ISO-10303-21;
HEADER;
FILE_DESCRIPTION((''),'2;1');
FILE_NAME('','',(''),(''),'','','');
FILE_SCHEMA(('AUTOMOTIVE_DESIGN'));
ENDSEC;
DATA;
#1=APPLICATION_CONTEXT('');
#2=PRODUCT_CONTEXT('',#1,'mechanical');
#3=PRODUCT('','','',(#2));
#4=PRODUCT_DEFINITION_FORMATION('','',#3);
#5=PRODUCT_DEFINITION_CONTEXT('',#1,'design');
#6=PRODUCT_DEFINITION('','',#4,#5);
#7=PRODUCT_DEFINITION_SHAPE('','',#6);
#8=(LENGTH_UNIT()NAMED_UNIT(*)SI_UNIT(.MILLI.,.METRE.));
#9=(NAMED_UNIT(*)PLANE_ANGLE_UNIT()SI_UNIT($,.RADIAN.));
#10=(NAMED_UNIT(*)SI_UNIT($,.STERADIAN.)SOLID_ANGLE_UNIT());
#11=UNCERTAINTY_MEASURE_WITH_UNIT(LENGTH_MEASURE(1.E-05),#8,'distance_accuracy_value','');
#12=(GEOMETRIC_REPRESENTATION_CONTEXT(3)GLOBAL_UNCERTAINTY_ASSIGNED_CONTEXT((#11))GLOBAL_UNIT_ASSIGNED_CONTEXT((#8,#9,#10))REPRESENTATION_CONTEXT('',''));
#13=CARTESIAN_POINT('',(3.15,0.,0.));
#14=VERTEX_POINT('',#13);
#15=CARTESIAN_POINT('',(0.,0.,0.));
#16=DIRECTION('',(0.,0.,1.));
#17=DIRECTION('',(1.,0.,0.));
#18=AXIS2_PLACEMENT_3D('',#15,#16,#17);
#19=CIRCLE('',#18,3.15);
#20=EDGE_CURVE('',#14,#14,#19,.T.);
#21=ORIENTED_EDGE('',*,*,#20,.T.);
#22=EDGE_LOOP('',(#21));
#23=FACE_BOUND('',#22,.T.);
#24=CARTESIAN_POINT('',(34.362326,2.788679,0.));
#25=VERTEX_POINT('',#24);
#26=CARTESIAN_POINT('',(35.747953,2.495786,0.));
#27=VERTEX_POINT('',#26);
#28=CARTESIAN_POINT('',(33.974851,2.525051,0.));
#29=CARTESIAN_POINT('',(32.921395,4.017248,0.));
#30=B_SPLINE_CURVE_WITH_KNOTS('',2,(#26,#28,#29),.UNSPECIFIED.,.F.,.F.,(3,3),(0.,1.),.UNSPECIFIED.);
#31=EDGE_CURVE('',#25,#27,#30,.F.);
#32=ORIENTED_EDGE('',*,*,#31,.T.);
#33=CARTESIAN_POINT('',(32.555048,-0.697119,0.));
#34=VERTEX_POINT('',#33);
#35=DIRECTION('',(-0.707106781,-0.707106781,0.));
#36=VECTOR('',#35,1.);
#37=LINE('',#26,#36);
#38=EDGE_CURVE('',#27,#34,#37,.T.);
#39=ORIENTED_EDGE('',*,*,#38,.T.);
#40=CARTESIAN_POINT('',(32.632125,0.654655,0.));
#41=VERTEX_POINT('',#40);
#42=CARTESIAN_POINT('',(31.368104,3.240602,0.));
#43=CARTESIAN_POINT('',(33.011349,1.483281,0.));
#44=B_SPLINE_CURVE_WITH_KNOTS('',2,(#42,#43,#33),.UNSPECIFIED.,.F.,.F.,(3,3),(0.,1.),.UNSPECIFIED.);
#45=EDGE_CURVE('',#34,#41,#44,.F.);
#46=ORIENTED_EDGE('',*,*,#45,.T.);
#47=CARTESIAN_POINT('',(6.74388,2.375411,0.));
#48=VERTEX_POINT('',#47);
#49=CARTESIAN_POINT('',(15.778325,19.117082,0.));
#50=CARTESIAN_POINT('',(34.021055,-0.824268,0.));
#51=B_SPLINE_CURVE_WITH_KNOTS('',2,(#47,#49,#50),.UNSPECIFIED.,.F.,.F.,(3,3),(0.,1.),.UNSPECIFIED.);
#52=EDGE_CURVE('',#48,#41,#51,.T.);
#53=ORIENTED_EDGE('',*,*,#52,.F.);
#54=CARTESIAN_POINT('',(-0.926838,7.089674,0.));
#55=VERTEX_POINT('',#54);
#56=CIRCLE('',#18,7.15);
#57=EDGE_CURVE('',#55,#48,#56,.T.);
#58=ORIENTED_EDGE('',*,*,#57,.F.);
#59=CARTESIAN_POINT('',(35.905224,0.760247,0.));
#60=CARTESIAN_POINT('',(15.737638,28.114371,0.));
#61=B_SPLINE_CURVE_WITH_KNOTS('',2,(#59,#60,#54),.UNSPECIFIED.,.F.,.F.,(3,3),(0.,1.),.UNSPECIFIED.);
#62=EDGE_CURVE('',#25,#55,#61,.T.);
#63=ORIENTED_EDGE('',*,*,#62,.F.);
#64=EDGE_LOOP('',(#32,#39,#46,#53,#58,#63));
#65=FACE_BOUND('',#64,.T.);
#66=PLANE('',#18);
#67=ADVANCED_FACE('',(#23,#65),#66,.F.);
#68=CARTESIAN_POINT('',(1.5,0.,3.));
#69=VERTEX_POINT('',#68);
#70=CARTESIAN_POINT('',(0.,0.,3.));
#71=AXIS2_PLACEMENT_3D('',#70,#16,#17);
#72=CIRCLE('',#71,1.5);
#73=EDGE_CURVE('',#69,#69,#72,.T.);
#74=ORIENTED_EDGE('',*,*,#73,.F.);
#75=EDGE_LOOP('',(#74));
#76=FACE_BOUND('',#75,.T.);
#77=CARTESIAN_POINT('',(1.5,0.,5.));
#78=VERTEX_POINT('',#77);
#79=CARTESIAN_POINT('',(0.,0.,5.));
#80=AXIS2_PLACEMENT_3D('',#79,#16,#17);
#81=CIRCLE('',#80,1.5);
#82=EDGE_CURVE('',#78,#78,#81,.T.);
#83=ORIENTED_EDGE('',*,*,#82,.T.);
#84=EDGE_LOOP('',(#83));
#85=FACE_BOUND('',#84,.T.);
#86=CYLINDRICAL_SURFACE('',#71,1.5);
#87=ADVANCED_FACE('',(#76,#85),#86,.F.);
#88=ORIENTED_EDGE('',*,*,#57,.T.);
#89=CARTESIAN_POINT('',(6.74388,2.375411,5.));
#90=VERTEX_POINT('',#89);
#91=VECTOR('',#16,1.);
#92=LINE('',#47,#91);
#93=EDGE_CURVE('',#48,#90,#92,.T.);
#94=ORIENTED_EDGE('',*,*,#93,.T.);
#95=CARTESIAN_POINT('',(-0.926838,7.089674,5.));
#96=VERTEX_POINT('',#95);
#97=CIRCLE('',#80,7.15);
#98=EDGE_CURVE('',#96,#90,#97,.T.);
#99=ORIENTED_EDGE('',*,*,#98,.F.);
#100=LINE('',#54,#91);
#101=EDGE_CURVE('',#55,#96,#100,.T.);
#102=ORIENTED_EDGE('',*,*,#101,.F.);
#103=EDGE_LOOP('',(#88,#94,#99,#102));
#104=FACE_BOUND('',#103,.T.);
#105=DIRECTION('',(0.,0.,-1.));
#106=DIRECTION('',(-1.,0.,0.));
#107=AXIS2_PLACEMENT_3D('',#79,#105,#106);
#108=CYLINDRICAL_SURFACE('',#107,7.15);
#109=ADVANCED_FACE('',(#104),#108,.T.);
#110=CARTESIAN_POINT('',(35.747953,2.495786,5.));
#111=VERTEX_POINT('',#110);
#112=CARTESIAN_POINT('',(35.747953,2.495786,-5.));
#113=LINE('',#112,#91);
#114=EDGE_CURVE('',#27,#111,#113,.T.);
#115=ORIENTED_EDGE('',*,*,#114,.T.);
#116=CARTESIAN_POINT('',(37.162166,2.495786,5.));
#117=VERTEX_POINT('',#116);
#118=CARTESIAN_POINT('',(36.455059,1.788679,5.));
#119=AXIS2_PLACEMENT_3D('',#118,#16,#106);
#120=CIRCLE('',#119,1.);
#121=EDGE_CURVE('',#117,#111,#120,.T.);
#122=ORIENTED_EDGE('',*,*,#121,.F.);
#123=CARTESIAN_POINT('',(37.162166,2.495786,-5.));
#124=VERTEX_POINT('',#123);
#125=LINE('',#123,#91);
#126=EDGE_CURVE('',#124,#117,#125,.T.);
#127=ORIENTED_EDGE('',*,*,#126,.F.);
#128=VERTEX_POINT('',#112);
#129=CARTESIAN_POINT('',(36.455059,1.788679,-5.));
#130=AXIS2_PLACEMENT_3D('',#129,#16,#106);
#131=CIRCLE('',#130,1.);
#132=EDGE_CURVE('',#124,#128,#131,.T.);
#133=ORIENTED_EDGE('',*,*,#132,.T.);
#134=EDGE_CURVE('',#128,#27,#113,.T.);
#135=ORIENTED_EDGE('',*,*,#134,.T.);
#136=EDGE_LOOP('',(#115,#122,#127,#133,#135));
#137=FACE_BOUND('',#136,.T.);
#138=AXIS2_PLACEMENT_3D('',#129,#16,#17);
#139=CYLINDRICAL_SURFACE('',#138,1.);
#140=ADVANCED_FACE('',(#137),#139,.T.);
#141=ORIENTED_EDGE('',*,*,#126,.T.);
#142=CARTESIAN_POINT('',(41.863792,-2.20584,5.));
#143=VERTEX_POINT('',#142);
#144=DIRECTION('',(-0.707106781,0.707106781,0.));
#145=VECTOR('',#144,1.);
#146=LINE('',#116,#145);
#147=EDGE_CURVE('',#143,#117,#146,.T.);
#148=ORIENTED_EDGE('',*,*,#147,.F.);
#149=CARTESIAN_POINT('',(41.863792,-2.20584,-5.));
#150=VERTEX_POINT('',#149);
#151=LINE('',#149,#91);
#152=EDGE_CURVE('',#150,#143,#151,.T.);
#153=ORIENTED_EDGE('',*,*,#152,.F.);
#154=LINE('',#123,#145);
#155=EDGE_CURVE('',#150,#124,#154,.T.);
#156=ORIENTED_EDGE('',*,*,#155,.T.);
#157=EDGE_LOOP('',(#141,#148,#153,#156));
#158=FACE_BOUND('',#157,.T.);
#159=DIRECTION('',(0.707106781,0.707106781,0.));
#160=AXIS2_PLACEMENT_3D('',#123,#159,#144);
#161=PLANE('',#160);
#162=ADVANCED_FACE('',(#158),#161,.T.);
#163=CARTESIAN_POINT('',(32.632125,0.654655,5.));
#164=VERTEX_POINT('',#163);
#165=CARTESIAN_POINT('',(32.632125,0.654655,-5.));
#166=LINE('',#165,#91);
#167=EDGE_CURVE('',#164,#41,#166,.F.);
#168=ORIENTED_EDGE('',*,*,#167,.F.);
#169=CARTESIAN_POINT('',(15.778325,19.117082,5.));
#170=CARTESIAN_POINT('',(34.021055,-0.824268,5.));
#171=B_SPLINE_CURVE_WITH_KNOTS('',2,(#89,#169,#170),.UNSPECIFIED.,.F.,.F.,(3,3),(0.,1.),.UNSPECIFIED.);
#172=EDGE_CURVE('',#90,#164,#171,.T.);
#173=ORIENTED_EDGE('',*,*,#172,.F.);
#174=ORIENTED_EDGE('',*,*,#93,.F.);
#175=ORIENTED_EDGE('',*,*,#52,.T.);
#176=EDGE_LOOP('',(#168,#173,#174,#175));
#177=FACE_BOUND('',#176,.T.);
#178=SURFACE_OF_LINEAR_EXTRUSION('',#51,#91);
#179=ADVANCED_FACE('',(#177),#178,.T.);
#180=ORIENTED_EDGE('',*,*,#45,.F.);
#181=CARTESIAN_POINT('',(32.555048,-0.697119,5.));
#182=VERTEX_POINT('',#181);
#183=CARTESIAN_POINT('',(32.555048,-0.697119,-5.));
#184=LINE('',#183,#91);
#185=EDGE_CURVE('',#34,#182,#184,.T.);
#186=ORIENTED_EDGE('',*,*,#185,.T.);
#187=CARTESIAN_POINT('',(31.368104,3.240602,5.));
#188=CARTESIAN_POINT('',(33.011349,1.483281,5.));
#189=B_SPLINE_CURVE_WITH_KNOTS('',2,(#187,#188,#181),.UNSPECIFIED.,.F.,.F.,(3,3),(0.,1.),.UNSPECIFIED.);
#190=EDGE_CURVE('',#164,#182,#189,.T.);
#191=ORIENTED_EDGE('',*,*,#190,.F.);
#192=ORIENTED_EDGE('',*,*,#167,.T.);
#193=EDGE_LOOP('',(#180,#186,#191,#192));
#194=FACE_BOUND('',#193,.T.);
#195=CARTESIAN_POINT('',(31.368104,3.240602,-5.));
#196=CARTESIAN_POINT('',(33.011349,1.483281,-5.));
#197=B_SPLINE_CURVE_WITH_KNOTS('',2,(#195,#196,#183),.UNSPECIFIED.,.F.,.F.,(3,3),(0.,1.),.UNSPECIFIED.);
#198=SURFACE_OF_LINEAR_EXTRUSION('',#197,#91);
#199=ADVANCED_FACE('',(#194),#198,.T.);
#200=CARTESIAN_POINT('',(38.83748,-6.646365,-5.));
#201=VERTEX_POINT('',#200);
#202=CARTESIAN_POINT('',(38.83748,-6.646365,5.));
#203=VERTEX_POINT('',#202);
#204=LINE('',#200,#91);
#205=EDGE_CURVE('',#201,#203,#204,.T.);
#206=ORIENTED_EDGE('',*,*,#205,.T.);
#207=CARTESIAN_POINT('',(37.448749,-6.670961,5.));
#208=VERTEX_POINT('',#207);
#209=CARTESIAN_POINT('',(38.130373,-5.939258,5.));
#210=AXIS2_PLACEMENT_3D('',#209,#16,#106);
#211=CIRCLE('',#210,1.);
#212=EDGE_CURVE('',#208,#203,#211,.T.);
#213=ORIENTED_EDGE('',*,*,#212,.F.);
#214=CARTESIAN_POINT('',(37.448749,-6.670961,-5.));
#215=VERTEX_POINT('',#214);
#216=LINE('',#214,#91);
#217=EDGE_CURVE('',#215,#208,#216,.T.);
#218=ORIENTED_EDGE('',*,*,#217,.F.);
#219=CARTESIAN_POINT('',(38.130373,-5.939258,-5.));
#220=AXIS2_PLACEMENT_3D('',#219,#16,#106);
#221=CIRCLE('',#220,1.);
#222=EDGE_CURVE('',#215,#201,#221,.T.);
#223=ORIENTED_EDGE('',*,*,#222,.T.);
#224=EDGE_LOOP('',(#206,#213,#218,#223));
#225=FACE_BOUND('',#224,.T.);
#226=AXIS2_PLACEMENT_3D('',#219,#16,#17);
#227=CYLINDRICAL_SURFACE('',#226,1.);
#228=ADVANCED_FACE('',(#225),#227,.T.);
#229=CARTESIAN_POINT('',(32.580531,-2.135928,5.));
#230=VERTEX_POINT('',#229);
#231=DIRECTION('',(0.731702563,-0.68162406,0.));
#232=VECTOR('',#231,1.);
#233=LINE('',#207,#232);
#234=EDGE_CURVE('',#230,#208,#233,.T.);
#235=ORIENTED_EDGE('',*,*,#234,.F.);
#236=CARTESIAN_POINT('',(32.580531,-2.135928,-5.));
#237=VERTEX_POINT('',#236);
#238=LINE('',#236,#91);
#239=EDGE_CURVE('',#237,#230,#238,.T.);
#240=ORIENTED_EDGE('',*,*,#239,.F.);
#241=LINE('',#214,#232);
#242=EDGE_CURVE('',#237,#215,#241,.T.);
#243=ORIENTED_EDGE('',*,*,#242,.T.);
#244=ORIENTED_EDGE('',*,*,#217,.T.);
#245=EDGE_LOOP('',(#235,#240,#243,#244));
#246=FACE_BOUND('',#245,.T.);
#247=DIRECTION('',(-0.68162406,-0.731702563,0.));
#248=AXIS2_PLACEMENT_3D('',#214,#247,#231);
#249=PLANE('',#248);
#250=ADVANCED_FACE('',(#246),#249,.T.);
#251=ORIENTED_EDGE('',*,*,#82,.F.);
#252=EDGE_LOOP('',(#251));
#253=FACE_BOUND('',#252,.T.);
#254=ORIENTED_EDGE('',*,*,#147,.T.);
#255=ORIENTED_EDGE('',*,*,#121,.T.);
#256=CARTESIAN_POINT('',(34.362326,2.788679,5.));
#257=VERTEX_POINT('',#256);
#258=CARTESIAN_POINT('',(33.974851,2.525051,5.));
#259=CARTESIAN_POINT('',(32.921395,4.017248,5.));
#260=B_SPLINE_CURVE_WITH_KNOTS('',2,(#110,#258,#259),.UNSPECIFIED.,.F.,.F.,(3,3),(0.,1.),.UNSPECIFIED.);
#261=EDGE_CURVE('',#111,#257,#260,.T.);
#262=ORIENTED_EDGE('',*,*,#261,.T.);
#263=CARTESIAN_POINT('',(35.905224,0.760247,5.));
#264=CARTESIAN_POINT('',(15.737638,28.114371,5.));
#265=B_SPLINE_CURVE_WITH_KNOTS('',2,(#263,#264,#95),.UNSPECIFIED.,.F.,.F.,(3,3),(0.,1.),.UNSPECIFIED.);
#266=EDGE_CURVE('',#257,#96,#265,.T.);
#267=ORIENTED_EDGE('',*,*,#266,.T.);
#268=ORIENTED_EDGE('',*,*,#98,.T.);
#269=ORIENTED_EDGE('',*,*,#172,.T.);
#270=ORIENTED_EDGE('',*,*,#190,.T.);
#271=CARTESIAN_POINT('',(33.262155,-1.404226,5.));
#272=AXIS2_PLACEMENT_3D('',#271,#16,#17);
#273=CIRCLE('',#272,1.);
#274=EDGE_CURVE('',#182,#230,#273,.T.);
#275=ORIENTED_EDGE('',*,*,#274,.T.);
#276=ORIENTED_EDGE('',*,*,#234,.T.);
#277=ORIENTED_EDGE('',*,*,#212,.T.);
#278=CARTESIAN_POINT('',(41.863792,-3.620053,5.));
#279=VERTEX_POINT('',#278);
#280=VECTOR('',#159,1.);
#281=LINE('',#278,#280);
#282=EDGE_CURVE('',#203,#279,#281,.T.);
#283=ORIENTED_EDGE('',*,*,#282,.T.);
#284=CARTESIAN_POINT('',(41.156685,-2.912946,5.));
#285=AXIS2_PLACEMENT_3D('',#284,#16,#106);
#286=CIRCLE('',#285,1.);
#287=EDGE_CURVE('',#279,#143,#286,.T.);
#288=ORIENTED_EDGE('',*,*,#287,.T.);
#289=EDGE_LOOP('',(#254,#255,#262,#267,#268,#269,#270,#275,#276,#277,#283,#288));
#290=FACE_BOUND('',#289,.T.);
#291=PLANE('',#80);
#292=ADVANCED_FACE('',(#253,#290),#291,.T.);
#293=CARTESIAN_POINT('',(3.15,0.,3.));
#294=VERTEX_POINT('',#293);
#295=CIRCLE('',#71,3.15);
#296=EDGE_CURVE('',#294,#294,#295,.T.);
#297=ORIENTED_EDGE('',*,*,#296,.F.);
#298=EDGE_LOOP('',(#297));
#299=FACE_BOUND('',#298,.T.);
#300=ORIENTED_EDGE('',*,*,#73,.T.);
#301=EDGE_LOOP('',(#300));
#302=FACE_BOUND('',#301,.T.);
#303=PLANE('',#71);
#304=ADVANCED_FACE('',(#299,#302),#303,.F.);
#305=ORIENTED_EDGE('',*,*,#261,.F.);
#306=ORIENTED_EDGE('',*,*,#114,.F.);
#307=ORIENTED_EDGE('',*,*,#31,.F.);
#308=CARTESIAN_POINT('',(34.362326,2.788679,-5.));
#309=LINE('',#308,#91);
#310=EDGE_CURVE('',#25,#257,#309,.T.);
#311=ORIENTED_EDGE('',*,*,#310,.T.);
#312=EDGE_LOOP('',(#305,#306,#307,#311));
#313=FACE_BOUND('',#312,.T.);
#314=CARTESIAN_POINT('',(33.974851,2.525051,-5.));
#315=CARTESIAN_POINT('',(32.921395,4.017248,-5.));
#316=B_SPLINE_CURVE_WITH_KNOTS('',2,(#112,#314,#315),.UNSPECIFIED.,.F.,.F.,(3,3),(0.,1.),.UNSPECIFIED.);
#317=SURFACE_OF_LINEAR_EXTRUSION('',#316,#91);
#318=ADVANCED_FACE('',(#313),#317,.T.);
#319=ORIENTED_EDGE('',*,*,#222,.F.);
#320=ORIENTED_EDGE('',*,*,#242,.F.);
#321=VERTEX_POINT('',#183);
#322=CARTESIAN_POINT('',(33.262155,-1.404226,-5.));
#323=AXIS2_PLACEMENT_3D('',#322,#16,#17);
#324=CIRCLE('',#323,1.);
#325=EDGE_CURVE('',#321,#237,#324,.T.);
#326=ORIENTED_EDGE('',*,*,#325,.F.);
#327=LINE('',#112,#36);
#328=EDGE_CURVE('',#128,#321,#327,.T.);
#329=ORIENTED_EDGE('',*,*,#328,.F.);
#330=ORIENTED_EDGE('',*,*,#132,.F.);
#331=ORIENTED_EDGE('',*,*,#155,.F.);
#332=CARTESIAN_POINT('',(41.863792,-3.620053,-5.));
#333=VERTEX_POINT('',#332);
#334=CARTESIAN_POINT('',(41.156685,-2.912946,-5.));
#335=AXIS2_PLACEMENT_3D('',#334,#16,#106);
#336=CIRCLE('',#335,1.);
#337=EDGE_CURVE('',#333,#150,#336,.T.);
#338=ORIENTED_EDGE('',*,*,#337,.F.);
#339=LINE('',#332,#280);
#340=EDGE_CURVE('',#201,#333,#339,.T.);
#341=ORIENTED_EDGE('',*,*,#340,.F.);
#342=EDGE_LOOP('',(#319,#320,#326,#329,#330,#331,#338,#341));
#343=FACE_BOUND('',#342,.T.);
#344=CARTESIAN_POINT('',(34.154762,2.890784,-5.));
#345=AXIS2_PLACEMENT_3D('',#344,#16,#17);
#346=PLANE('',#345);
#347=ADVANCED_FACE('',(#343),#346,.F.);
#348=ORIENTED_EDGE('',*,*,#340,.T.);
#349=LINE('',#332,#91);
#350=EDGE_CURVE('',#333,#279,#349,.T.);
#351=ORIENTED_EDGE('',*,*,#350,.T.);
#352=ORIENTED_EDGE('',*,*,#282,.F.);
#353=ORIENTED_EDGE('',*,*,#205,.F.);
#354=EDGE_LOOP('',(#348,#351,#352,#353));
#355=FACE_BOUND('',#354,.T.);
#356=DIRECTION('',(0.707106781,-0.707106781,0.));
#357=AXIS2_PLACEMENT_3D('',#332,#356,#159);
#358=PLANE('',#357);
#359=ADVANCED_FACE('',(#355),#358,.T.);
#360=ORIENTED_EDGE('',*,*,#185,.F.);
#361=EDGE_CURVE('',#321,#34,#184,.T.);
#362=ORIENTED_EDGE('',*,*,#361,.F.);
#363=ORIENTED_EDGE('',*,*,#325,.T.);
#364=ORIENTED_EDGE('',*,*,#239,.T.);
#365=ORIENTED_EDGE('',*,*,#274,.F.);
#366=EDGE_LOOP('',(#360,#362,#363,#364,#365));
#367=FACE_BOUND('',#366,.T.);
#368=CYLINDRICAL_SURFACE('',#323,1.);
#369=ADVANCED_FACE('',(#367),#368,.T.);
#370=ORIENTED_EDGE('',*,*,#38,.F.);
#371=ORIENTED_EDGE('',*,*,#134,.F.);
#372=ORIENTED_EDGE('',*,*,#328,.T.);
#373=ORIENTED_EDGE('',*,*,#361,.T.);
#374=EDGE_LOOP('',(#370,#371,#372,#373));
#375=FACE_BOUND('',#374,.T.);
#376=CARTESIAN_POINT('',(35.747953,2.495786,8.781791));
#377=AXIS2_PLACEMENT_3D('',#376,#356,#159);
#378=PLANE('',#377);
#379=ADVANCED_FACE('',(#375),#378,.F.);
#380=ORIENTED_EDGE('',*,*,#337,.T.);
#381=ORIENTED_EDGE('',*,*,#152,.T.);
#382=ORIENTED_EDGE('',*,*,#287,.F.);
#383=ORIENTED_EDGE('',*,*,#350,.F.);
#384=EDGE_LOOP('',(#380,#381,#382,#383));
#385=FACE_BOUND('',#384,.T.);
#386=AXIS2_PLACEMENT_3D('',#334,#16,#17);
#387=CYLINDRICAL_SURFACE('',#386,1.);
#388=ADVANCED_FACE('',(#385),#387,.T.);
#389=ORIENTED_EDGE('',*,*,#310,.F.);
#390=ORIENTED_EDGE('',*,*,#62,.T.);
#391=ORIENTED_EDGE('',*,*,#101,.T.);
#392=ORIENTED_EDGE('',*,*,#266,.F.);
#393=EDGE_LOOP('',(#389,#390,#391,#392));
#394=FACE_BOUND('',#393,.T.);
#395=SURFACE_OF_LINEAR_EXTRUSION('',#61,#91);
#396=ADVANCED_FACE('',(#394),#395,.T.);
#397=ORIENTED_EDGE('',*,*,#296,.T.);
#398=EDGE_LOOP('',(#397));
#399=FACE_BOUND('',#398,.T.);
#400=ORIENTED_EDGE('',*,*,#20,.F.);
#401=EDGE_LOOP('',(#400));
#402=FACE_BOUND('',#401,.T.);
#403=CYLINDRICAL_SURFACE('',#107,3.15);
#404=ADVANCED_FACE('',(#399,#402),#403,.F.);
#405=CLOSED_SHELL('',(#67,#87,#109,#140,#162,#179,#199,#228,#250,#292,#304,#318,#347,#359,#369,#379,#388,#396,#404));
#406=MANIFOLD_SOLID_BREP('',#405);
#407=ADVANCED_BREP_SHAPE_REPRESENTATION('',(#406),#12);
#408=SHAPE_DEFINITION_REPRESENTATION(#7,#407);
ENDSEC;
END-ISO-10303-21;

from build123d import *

# Parameters (mm, degrees)
ESQUISSE1_R             = 7.15
ESQUISSE1_R_2           = 3.15
BOSS_EXTRU_1_DEPTH      = 5
BOSS_EXTRU_2_DEPTH      = 5
BOSS_EXTRU_3_START      = -2
ESQUISSE3_R             = 3.15
ESQUISSE3_R_2           = 1.5
BOSS_EXTRU_3_DEPTH      = 2
BOSS_EXTRU_5_DEPTH      = 10
ENL_V_MAT_EXTRU_1_DEPTH = 5


with BuildPart() as part:
    # Esquisse1 → Boss.-Extru.1 (new body)
    with BuildSketch(Plane.XY):
        Circle(ESQUISSE1_R)
        Circle(ESQUISSE1_R_2, mode=Mode.SUBTRACT)
    extrude(amount=BOSS_EXTRU_1_DEPTH)

    # Esquisse2 → Boss.-Extru.2 (add)
    with BuildSketch(Plane.XY.offset(5)):
        with BuildLine():
            Line((-0.926838299, 7.08967353), (6.743880262, 2.375411335))
            add(Edge.make_bspline(
                [(34.021054956, -0.824268448), (15.778325112, 19.117081856), (6.743880262, 2.375411335)],
                knots=[0, 0, 0, 1, 1, 1], degree=2))
            add(Edge.make_bspline(
                [(35.905224024, 0.760247249), (37.183183912, -2.67189548), (34.021054956, -0.824268448)],
                knots=[0, 0, 0, 1, 1, 1], degree=2))
            add(Edge.make_bspline(
                [(-0.926838299, 7.08967353), (15.737638427, 28.114370549), (35.905224024, 0.760247249)],
                knots=[0, 0, 0, 1, 1, 1], degree=2))
        make_face()
    extrude(amount=-BOSS_EXTRU_2_DEPTH)

    # Esquisse3 → Boss.-Extru.3 (add)
    with BuildSketch(Plane.XY.offset(5).offset(BOSS_EXTRU_3_START)):
        Circle(ESQUISSE3_R)
        Circle(ESQUISSE3_R_2, mode=Mode.SUBTRACT)
    extrude(amount=BOSS_EXTRU_3_DEPTH)

    # Esquisse6 → Boss.-Extru.5 (add)
    with BuildSketch(Plane.XY.offset(5)):
        with BuildLine():
            Line((37.162166163, 2.495785683), (41.863791518, -2.205839672))
            ThreePointArc((41.863791518, -2.205839672), (42.156684737, -2.912946454), (41.863791518, -3.620053235))
            Line((41.863791518, -3.620053235), (38.837480033, -6.646364721))
            ThreePointArc((38.837480033, -6.646364721), (38.148081452, -6.939101137), (37.448749191, -6.670960502))
            Line((37.448749191, -6.670960502), (32.580530811, -2.135928171))
            ThreePointArc((32.580530811, -2.135928171), (32.262311674, -1.421933809), (32.55504809, -0.697118827))
            add(Edge.make_bspline(
                [(32.55504809, -0.697118827), (33.011349081, 1.483281056), (31.368103593, 3.24060207)],
                knots=[0, 0, 0, 1, 1, 1], degree=2))
            Line((31.368103593, 3.24060207), (32.92139501, 4.017247779))
            add(Edge.make_bspline(
                [(35.7479526, 2.495785683), (33.974850615, 2.525051405), (32.92139501, 4.017247779)],
                knots=[0, 0, 0, 1, 1, 1], degree=2))
            ThreePointArc((35.7479526, 2.495785683), (36.455059382, 2.788678902), (37.162166163, 2.495785683))
        make_face()
    extrude(amount=-BOSS_EXTRU_5_DEPTH)

    # Esquisse7 → Enlèv. mat.-Extru.1 (cut)
    with BuildSketch(Plane(origin=(0, 0, -5), x_dir=(-1, 0, 0), z_dir=(0, 0, -1))):
        Polygon((-35.7479526, 2.495785683), (-32.55504809, -0.697118827), (-29.617226271, 2.240702992), (-34.427657246, 5.5904913), align=None)
    extrude(amount=-ENL_V_MAT_EXTRU_1_DEPTH, mode=Mode.SUBTRACT)


solid = part.part
